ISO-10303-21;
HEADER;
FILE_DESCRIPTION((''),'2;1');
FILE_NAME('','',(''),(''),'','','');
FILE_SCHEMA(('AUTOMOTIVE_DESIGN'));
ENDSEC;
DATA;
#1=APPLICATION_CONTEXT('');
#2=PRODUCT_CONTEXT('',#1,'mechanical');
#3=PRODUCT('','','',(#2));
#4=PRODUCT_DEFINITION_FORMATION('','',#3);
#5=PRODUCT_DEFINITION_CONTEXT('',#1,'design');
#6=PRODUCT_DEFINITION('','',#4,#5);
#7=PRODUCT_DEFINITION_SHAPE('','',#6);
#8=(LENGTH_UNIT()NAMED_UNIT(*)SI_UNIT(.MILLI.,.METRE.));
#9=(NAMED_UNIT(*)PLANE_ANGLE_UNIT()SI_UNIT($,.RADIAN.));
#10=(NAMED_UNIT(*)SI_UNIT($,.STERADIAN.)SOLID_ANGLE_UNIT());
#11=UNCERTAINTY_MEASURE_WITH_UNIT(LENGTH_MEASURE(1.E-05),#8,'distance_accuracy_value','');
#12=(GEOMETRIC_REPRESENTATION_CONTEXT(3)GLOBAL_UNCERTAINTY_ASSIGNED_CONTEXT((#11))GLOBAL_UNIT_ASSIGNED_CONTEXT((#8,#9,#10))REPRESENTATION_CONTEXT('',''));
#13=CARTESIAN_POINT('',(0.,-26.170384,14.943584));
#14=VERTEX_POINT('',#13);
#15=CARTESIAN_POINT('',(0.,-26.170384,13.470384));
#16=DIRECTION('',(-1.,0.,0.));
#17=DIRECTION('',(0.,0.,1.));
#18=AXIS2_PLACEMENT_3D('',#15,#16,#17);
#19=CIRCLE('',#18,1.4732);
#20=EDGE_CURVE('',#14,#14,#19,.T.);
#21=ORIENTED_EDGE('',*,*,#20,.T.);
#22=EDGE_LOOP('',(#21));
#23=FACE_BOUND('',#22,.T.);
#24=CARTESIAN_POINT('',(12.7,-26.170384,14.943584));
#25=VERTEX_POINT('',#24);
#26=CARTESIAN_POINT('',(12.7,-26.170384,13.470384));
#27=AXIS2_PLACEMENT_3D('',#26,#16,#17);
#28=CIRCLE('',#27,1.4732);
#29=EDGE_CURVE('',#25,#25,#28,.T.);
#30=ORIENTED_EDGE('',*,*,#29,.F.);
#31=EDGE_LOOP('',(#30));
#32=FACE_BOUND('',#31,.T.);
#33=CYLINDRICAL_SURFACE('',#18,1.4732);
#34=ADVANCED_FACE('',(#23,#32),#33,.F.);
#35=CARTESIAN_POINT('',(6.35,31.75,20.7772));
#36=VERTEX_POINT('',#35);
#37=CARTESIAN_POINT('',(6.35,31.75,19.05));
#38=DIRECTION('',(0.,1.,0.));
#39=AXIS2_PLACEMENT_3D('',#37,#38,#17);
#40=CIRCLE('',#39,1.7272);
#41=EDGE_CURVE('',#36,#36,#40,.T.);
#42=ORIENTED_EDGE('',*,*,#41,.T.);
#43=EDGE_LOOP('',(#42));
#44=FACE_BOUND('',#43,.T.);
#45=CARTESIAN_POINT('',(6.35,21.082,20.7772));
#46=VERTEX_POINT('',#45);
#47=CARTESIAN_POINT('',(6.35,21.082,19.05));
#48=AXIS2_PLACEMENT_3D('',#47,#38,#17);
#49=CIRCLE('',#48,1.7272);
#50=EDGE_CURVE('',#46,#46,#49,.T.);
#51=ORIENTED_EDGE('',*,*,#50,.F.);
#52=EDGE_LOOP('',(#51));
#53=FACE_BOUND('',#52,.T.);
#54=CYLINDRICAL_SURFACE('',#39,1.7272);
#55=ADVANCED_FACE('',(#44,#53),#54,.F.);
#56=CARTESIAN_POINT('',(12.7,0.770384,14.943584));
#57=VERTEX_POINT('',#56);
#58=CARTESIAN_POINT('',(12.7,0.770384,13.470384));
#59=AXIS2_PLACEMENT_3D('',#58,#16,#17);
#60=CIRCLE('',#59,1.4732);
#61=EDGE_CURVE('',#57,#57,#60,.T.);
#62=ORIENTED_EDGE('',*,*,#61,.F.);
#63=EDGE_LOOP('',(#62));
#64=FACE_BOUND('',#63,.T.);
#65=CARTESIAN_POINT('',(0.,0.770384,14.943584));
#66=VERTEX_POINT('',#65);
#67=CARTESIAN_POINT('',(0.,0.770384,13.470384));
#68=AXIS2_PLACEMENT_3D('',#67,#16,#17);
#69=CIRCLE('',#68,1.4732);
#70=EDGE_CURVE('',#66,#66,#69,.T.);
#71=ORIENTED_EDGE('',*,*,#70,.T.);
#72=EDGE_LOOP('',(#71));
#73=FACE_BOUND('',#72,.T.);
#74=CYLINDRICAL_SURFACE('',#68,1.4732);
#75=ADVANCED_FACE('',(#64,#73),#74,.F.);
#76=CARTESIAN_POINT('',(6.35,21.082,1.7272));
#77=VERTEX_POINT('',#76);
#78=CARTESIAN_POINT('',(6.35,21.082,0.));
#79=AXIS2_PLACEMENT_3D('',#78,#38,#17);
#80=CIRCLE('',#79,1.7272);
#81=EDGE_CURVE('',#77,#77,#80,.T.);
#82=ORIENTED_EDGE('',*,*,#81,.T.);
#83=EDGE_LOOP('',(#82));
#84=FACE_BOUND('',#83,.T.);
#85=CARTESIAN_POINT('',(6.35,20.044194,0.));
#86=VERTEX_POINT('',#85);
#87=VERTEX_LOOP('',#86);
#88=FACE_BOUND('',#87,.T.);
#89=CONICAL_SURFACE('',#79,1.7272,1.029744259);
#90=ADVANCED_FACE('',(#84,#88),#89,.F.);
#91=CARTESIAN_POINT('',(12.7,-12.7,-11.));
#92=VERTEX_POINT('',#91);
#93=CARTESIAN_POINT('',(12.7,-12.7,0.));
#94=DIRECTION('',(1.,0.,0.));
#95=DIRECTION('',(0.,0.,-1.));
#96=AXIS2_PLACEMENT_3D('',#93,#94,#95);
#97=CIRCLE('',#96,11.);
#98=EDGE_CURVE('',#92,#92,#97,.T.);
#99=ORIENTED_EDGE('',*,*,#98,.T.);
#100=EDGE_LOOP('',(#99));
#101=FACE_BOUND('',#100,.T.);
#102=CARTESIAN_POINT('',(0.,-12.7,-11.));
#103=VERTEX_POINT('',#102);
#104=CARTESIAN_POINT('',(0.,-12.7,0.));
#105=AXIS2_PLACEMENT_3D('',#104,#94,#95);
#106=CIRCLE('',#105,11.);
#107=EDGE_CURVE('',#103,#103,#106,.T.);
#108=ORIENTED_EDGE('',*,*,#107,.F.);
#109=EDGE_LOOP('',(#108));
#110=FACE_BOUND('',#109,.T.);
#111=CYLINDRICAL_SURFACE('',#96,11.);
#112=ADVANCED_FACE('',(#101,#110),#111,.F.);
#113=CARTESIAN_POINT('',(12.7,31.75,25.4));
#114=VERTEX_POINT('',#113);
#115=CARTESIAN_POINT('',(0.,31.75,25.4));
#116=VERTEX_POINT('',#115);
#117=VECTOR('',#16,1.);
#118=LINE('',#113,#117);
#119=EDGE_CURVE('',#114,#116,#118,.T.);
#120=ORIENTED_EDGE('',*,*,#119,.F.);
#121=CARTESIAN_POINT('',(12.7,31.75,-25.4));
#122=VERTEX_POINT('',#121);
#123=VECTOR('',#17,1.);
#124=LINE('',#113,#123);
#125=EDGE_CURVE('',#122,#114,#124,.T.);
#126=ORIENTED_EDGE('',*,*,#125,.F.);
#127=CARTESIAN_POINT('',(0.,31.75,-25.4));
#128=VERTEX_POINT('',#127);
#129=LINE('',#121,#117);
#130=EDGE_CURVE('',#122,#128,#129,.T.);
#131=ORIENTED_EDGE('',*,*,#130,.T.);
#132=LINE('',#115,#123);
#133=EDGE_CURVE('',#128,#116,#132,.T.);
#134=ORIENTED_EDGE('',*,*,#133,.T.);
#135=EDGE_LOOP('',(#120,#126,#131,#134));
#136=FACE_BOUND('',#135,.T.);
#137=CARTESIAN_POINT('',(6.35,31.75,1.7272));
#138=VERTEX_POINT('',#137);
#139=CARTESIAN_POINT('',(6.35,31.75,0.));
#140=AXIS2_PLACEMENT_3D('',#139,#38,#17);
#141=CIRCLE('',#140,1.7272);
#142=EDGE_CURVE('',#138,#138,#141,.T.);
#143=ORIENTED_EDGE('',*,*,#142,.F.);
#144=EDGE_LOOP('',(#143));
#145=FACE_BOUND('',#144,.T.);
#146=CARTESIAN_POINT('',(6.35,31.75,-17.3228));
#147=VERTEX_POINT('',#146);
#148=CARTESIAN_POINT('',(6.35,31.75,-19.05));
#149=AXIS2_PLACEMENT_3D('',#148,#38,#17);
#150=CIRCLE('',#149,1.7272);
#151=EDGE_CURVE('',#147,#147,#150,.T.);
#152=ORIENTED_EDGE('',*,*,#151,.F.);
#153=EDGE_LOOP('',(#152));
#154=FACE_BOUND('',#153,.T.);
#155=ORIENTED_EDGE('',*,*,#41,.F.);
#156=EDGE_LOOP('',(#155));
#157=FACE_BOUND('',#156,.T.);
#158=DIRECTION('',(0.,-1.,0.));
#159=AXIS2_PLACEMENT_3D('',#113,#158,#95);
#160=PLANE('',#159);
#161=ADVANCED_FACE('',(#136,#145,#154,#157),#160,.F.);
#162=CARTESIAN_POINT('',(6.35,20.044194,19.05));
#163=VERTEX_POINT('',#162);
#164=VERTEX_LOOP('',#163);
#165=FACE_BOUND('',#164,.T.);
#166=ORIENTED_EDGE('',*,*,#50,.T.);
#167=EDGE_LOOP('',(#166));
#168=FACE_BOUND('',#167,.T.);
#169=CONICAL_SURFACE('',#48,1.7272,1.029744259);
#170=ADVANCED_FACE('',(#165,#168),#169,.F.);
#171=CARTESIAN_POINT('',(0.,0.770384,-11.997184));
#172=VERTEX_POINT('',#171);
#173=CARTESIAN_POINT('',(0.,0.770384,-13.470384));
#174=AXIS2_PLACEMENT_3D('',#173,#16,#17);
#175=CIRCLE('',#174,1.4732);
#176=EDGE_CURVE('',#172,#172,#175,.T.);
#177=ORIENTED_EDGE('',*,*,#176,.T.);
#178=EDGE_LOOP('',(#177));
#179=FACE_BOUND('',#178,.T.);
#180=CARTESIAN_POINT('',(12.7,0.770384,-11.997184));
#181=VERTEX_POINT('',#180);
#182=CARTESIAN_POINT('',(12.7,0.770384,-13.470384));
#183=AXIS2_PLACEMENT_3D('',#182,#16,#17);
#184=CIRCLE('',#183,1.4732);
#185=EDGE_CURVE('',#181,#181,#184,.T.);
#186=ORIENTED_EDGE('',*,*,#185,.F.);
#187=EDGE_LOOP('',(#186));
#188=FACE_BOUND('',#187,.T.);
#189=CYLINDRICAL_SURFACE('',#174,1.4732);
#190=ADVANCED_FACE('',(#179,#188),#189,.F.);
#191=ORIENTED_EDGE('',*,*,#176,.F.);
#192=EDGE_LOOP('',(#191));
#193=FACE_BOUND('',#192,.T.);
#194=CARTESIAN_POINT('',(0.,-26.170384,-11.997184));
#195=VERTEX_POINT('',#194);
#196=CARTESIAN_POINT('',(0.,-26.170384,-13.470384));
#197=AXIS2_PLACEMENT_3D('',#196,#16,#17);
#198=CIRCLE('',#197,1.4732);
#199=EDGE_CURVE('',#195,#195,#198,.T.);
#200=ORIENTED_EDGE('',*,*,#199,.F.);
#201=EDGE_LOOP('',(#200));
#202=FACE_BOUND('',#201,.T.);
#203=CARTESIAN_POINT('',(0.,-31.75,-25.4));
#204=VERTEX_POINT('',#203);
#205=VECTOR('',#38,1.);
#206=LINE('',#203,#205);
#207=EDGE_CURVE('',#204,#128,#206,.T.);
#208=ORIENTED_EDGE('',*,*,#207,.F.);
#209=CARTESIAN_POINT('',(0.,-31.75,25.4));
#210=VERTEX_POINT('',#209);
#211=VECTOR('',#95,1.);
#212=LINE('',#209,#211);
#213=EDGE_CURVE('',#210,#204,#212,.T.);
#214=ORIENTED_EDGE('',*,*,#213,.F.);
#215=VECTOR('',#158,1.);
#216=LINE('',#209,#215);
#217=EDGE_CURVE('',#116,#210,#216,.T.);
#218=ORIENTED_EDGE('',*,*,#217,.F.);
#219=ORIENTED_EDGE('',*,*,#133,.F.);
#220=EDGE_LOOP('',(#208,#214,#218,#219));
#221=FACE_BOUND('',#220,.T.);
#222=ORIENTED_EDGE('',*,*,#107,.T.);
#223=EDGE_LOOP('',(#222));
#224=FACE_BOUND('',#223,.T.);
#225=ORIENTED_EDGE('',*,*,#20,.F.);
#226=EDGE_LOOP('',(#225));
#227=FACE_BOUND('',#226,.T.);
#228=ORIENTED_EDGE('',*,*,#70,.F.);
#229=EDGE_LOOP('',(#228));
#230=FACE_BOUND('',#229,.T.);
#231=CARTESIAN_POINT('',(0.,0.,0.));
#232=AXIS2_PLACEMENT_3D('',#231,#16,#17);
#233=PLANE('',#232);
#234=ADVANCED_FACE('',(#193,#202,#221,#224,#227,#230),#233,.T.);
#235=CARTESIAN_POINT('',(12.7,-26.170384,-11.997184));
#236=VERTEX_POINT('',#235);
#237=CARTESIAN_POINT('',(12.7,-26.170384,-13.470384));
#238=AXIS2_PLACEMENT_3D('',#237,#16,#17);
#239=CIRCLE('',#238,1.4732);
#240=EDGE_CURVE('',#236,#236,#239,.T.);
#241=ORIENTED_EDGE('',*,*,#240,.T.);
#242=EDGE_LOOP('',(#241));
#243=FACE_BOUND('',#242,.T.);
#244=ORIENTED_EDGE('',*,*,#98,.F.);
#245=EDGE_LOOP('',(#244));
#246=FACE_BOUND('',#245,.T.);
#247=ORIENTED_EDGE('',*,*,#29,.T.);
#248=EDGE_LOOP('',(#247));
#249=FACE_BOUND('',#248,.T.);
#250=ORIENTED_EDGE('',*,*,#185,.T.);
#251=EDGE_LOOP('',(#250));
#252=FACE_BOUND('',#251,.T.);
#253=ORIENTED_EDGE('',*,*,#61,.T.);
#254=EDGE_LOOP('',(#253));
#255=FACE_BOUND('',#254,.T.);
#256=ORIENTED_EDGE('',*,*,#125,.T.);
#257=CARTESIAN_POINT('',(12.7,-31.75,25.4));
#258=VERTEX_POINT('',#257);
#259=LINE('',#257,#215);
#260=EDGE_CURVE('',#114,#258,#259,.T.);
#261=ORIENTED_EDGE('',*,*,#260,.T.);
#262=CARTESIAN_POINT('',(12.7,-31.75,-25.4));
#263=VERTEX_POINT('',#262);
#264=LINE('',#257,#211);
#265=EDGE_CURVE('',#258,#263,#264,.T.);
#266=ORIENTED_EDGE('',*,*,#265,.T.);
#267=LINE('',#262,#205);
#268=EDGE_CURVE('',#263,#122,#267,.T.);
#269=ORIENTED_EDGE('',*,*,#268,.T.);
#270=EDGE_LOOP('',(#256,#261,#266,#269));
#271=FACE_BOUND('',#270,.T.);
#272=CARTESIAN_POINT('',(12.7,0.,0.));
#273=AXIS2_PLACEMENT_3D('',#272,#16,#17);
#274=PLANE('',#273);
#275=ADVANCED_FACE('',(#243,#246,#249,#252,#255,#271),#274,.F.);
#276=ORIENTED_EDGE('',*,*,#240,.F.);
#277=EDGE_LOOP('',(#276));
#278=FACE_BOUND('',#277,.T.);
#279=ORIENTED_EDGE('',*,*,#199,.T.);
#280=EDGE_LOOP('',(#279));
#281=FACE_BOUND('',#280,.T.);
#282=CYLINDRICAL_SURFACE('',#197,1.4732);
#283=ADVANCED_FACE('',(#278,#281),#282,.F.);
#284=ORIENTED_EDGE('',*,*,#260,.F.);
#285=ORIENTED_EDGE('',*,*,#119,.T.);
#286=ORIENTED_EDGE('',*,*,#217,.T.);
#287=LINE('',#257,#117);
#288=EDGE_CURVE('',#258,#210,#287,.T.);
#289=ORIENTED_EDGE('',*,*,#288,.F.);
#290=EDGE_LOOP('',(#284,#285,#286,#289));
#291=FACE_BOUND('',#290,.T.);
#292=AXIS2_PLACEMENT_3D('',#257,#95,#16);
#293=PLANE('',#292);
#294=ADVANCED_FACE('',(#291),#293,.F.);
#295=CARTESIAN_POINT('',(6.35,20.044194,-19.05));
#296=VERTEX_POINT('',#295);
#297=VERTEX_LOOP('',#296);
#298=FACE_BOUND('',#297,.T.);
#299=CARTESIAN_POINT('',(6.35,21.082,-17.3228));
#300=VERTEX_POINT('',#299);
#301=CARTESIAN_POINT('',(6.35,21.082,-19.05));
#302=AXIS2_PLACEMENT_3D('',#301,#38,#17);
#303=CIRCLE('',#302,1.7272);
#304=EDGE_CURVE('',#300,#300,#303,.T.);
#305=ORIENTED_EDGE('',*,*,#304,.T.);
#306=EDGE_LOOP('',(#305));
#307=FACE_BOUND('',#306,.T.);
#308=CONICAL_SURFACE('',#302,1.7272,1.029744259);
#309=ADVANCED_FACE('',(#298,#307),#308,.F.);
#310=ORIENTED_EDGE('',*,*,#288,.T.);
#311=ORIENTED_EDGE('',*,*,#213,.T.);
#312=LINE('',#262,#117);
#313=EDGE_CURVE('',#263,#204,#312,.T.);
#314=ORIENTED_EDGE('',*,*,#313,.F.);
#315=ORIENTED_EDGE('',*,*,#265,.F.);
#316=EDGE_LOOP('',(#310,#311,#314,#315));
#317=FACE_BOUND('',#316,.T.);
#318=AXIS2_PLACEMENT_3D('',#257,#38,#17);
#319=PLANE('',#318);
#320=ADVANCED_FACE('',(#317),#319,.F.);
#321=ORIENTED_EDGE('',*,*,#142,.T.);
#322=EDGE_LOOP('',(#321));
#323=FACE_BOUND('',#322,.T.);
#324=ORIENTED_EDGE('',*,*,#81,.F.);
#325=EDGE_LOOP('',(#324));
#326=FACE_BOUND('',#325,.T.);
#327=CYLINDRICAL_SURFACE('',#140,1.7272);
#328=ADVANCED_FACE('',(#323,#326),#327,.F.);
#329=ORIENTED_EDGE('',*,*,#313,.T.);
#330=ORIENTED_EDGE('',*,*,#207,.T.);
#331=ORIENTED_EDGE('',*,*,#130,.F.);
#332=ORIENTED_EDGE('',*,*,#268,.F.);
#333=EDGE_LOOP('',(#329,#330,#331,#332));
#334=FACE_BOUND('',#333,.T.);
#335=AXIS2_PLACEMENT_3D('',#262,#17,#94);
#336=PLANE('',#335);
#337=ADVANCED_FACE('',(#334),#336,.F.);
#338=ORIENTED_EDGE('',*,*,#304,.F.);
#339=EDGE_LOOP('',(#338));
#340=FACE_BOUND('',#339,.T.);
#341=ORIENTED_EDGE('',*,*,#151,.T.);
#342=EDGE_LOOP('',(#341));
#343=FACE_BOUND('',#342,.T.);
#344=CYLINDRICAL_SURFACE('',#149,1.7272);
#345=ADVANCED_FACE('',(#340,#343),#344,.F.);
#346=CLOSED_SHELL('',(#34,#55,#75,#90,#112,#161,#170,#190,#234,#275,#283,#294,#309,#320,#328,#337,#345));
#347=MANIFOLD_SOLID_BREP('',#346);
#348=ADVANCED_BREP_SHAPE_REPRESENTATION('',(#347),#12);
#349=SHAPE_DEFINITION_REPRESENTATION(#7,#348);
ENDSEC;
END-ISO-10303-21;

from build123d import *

# Parameters (mm, degrees)
SKETCH1_W                  = 50.8
SKETCH1_H                  = 63.5
BOSS_EXTRUDE1_DEPTH        = 12.7
F_22_0_22_DIAMETER_HOLE1_D = 22
F_8_32_TAPPED_HOLE1_D      = 3.4544
F_8_32_TAPPED_HOLE1_DEPTH  = 10.668
F_8_32_TAPPED_HOLE1_TIP    = 1.037806461
F_4_CLEARANCE_HOLE1_D      = 2.9464
CIRPATTERN1_COUNT          = 4


with BuildPart() as part:
    # Sketch1 → Boss-Extrude1 (new body)
    with BuildSketch(Plane(origin=(0, 0, 0), x_dir=(0, 0, -1), z_dir=(1, 0, 0))):
        Rectangle(SKETCH1_W, SKETCH1_H)
    extrude(amount=BOSS_EXTRUDE1_DEPTH)

    # Ø22.0 (22) Diameter Hole1 (through all)
    with Locations(Plane(origin=(12.7, 0, 0), x_dir=(0, 0, -1), z_dir=(1, 0, 0))):
        with Locations((0, -12.7)):
            Hole(F_22_0_22_DIAMETER_HOLE1_D / 2)

    # #8-32 Tapped Hole1
    with Locations(Plane(origin=(0, 31.75, 0), x_dir=(1, 0, 0), z_dir=(0, 1, 0))):
        with Locations((6.35, 19.05), (6.35, -19.05), (6.35, 0)):
            Hole(F_8_32_TAPPED_HOLE1_D / 2, depth=F_8_32_TAPPED_HOLE1_DEPTH)
            with Locations((0, 0, -(F_8_32_TAPPED_HOLE1_DEPTH + F_8_32_TAPPED_HOLE1_TIP / 2))):  # 118° drill point
                Cone(0, F_8_32_TAPPED_HOLE1_D / 2, F_8_32_TAPPED_HOLE1_TIP, mode=Mode.SUBTRACT)

    # #4 Clearance Hole1 (through all)
    with Locations(Plane.ZY):
        with Locations((-13.470384182, 0.770384182)):
            f_4_clearance_hole1 = Hole(F_4_CLEARANCE_HOLE1_D / 2)

    # CirPattern1: #4 Clearance Hole1 ×4 about axis
    cirpattern1_axis = Axis((0, -12.7, 0), (1, 0, 0))
    for i in range(1, CIRPATTERN1_COUNT):
        add(f_4_clearance_hole1.rotate(cirpattern1_axis, i * 360 / CIRPATTERN1_COUNT), mode=Mode.SUBTRACT)


solid = part.part
